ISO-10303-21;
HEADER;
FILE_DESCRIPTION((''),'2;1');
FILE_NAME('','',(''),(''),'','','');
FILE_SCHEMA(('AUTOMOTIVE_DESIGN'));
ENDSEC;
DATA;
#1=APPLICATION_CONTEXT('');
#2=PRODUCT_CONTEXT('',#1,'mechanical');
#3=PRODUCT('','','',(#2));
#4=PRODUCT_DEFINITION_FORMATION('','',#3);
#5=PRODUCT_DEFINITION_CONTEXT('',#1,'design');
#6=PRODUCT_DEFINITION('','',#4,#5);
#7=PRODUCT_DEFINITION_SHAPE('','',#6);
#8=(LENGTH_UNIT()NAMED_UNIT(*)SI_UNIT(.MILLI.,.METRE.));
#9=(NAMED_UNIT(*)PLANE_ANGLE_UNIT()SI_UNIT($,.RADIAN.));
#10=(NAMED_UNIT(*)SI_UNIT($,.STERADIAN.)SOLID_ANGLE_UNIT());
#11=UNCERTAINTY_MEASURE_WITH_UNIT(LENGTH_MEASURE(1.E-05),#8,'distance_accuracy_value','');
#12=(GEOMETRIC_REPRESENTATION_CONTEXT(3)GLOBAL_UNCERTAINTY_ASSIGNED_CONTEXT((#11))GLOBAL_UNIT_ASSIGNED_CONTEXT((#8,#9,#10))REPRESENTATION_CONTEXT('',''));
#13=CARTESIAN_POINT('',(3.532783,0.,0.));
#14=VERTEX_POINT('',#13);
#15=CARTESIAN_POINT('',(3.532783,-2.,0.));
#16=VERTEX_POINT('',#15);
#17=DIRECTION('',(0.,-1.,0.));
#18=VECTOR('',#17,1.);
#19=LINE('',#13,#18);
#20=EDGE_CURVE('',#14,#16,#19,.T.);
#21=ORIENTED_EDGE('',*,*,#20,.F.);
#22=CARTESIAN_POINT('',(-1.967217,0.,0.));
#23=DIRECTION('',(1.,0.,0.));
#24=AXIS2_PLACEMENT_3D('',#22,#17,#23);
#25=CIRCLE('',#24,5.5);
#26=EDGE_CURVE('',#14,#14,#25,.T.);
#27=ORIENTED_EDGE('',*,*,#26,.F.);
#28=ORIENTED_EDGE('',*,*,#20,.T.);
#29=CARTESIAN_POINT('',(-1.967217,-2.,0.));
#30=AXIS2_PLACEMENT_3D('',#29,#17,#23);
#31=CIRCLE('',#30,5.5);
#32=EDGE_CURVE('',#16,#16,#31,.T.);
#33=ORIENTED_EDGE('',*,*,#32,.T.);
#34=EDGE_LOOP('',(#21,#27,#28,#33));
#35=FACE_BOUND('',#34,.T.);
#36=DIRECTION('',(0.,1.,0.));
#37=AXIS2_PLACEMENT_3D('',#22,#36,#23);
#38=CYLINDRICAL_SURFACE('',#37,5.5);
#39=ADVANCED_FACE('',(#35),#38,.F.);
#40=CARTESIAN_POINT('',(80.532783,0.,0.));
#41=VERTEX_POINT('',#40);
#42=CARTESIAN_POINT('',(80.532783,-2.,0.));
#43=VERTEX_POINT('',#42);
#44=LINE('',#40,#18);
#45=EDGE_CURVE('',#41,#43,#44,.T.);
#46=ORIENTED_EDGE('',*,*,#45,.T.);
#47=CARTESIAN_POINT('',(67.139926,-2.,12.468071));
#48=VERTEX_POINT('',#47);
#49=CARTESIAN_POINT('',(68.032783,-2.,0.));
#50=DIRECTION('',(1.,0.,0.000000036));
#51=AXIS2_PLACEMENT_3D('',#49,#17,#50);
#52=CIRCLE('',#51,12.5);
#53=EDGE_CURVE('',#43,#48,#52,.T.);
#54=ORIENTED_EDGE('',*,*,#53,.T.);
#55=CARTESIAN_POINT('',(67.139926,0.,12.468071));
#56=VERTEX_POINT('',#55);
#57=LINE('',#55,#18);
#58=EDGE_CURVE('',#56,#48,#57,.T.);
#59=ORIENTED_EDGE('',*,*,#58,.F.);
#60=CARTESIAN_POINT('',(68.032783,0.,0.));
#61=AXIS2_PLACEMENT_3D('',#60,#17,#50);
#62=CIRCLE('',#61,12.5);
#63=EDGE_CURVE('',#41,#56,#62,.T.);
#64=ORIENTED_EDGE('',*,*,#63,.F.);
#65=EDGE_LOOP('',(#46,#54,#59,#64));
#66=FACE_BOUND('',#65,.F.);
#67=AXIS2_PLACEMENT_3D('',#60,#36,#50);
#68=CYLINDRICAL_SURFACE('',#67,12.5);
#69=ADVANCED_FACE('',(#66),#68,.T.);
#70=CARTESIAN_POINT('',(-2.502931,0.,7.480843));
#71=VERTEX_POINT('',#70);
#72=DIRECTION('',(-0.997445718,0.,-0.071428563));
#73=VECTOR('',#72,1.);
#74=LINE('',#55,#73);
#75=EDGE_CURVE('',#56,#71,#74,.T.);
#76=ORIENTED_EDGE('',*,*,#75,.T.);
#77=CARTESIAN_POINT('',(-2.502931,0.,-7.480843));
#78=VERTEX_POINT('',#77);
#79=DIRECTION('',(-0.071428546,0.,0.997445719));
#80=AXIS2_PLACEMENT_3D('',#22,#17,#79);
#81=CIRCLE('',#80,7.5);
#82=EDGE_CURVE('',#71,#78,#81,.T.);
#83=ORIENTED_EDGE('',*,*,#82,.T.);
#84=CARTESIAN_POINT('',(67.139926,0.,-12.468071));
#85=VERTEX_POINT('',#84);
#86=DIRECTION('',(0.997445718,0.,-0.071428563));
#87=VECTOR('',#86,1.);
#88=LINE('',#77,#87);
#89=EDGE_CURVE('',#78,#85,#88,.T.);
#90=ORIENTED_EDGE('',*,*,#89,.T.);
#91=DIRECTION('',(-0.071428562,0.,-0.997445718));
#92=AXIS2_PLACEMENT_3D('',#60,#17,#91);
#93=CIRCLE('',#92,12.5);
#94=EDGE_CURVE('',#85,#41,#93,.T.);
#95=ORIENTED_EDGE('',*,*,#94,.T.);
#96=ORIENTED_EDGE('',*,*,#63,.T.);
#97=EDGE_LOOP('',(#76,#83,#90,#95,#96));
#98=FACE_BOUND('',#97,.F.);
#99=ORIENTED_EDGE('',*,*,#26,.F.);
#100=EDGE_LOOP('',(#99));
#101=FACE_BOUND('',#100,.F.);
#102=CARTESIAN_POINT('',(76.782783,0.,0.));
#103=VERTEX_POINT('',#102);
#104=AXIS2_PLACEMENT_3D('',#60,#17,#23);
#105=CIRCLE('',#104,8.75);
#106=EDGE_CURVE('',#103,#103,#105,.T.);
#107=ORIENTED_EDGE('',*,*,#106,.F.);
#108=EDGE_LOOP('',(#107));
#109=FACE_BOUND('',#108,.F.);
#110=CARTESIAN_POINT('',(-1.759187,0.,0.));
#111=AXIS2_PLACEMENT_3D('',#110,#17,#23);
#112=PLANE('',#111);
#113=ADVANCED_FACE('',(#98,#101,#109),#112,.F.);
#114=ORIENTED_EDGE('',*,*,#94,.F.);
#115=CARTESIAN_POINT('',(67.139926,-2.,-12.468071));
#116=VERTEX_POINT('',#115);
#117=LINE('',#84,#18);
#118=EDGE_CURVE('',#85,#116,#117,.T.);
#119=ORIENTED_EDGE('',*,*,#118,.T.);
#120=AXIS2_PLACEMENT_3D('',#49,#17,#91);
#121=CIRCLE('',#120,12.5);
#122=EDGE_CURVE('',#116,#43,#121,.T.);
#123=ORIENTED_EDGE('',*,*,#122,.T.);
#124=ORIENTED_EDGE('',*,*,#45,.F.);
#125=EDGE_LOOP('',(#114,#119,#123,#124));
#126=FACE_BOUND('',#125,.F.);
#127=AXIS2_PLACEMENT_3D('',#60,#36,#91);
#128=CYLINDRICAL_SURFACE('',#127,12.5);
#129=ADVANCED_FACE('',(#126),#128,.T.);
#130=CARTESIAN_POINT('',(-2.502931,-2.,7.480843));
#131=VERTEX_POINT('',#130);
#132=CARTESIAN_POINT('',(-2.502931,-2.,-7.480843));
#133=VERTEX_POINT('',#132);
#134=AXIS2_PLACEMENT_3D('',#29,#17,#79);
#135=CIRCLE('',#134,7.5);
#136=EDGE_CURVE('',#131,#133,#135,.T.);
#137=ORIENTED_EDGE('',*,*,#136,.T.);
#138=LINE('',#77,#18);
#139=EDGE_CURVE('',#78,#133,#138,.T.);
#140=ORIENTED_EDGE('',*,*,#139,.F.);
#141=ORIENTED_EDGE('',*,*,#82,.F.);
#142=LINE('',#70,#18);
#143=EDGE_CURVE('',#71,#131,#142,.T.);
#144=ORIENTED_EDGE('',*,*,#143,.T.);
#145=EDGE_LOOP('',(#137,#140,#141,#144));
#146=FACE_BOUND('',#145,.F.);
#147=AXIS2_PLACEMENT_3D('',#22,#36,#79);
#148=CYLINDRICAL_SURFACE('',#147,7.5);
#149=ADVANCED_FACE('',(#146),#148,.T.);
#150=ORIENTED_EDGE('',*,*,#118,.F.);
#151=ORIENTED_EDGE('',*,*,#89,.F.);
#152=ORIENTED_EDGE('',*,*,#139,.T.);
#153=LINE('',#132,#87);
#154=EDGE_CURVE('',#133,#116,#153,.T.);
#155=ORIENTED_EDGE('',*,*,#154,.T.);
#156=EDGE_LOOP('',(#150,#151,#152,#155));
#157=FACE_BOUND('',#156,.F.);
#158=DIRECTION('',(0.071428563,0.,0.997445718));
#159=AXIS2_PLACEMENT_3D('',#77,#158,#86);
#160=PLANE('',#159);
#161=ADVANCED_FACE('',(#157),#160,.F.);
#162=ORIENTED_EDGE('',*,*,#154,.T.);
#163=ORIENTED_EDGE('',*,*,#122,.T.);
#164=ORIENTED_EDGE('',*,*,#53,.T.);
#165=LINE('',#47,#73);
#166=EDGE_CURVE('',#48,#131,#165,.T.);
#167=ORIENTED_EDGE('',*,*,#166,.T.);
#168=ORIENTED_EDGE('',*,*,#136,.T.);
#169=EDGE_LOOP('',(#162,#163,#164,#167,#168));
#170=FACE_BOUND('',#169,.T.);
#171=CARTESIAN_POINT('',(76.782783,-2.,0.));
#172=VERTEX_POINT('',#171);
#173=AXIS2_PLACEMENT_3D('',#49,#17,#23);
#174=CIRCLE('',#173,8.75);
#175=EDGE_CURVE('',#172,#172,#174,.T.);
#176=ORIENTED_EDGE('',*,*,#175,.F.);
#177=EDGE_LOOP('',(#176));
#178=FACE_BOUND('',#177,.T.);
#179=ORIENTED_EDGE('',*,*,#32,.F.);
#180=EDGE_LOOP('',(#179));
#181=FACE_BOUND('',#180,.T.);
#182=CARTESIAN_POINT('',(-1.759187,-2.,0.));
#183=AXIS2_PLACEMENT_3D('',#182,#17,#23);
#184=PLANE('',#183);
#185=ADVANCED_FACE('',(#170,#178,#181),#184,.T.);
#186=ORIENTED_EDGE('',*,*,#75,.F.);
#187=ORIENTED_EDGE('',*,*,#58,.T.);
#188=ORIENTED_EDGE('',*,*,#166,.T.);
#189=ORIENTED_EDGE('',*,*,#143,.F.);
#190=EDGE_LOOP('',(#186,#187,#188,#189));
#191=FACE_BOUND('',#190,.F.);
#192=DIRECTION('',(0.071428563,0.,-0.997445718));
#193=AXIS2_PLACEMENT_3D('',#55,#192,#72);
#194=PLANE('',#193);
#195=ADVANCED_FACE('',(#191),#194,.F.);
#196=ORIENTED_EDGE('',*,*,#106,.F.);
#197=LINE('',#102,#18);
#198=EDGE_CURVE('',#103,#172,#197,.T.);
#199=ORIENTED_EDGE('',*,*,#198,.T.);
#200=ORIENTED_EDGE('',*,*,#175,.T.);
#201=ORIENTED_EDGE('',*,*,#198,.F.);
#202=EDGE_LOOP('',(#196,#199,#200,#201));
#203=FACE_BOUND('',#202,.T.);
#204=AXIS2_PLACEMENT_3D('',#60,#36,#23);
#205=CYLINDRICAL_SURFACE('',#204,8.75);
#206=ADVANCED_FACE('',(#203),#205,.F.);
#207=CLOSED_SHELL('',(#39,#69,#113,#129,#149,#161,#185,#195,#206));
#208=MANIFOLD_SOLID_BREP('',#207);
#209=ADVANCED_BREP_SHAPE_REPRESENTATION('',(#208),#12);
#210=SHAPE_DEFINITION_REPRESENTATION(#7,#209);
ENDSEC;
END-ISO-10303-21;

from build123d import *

# Parameters (mm, degrees)
F0_R     = 5.5
F0_R_2   = 8.75
F1_DEPTH = 2


with BuildPart() as f1:
    # F0 (on Front) → F1 (new body)
    with BuildSketch(Plane.XZ):
        with BuildLine():
            ThreePointArc((-2.502931, -7.480843), (3.143172, -5.489438), (5.532783, 0))
            ThreePointArc((5.532783, 0), (3.143172, 5.489438), (-2.502931, 7.480843))
            ThreePointArc((-2.502931, 7.480843), (-9.467217, 0), (-2.502931, -7.480843))
        make_face()
        with Locations((-1.967217, 0)):
            Circle(F0_R, mode=Mode.SUBTRACT)
        with BuildLine():
            ThreePointArc((-2.502931, 7.480843), (3.143172, 5.489438), (5.532783, 0))
            ThreePointArc((5.532783, 0), (3.143172, -5.489438), (-2.502931, -7.480843))
            Line((-2.502931, -7.480843), (67.139926, -12.468071))
            ThreePointArc((67.139926, -12.468071), (55.532783, 0), (67.139926, 12.468071))
            Line((67.139926, 12.468071), (-2.502931, 7.480843))
        make_face()
        with BuildLine():
            ThreePointArc((80.532783, 0), (76.550097, 9.149063), (67.139926, 12.468071))
            ThreePointArc((67.139926, 12.468071), (55.532783, 0), (67.139926, -12.468071))
            ThreePointArc((67.139926, -12.468071), (76.550097, -9.149063), (80.532783, 0))
        make_face()
        with Locations((68.032783, 0)):
            Circle(F0_R_2, mode=Mode.SUBTRACT)
    extrude(amount=F1_DEPTH)


solid = f1.part
